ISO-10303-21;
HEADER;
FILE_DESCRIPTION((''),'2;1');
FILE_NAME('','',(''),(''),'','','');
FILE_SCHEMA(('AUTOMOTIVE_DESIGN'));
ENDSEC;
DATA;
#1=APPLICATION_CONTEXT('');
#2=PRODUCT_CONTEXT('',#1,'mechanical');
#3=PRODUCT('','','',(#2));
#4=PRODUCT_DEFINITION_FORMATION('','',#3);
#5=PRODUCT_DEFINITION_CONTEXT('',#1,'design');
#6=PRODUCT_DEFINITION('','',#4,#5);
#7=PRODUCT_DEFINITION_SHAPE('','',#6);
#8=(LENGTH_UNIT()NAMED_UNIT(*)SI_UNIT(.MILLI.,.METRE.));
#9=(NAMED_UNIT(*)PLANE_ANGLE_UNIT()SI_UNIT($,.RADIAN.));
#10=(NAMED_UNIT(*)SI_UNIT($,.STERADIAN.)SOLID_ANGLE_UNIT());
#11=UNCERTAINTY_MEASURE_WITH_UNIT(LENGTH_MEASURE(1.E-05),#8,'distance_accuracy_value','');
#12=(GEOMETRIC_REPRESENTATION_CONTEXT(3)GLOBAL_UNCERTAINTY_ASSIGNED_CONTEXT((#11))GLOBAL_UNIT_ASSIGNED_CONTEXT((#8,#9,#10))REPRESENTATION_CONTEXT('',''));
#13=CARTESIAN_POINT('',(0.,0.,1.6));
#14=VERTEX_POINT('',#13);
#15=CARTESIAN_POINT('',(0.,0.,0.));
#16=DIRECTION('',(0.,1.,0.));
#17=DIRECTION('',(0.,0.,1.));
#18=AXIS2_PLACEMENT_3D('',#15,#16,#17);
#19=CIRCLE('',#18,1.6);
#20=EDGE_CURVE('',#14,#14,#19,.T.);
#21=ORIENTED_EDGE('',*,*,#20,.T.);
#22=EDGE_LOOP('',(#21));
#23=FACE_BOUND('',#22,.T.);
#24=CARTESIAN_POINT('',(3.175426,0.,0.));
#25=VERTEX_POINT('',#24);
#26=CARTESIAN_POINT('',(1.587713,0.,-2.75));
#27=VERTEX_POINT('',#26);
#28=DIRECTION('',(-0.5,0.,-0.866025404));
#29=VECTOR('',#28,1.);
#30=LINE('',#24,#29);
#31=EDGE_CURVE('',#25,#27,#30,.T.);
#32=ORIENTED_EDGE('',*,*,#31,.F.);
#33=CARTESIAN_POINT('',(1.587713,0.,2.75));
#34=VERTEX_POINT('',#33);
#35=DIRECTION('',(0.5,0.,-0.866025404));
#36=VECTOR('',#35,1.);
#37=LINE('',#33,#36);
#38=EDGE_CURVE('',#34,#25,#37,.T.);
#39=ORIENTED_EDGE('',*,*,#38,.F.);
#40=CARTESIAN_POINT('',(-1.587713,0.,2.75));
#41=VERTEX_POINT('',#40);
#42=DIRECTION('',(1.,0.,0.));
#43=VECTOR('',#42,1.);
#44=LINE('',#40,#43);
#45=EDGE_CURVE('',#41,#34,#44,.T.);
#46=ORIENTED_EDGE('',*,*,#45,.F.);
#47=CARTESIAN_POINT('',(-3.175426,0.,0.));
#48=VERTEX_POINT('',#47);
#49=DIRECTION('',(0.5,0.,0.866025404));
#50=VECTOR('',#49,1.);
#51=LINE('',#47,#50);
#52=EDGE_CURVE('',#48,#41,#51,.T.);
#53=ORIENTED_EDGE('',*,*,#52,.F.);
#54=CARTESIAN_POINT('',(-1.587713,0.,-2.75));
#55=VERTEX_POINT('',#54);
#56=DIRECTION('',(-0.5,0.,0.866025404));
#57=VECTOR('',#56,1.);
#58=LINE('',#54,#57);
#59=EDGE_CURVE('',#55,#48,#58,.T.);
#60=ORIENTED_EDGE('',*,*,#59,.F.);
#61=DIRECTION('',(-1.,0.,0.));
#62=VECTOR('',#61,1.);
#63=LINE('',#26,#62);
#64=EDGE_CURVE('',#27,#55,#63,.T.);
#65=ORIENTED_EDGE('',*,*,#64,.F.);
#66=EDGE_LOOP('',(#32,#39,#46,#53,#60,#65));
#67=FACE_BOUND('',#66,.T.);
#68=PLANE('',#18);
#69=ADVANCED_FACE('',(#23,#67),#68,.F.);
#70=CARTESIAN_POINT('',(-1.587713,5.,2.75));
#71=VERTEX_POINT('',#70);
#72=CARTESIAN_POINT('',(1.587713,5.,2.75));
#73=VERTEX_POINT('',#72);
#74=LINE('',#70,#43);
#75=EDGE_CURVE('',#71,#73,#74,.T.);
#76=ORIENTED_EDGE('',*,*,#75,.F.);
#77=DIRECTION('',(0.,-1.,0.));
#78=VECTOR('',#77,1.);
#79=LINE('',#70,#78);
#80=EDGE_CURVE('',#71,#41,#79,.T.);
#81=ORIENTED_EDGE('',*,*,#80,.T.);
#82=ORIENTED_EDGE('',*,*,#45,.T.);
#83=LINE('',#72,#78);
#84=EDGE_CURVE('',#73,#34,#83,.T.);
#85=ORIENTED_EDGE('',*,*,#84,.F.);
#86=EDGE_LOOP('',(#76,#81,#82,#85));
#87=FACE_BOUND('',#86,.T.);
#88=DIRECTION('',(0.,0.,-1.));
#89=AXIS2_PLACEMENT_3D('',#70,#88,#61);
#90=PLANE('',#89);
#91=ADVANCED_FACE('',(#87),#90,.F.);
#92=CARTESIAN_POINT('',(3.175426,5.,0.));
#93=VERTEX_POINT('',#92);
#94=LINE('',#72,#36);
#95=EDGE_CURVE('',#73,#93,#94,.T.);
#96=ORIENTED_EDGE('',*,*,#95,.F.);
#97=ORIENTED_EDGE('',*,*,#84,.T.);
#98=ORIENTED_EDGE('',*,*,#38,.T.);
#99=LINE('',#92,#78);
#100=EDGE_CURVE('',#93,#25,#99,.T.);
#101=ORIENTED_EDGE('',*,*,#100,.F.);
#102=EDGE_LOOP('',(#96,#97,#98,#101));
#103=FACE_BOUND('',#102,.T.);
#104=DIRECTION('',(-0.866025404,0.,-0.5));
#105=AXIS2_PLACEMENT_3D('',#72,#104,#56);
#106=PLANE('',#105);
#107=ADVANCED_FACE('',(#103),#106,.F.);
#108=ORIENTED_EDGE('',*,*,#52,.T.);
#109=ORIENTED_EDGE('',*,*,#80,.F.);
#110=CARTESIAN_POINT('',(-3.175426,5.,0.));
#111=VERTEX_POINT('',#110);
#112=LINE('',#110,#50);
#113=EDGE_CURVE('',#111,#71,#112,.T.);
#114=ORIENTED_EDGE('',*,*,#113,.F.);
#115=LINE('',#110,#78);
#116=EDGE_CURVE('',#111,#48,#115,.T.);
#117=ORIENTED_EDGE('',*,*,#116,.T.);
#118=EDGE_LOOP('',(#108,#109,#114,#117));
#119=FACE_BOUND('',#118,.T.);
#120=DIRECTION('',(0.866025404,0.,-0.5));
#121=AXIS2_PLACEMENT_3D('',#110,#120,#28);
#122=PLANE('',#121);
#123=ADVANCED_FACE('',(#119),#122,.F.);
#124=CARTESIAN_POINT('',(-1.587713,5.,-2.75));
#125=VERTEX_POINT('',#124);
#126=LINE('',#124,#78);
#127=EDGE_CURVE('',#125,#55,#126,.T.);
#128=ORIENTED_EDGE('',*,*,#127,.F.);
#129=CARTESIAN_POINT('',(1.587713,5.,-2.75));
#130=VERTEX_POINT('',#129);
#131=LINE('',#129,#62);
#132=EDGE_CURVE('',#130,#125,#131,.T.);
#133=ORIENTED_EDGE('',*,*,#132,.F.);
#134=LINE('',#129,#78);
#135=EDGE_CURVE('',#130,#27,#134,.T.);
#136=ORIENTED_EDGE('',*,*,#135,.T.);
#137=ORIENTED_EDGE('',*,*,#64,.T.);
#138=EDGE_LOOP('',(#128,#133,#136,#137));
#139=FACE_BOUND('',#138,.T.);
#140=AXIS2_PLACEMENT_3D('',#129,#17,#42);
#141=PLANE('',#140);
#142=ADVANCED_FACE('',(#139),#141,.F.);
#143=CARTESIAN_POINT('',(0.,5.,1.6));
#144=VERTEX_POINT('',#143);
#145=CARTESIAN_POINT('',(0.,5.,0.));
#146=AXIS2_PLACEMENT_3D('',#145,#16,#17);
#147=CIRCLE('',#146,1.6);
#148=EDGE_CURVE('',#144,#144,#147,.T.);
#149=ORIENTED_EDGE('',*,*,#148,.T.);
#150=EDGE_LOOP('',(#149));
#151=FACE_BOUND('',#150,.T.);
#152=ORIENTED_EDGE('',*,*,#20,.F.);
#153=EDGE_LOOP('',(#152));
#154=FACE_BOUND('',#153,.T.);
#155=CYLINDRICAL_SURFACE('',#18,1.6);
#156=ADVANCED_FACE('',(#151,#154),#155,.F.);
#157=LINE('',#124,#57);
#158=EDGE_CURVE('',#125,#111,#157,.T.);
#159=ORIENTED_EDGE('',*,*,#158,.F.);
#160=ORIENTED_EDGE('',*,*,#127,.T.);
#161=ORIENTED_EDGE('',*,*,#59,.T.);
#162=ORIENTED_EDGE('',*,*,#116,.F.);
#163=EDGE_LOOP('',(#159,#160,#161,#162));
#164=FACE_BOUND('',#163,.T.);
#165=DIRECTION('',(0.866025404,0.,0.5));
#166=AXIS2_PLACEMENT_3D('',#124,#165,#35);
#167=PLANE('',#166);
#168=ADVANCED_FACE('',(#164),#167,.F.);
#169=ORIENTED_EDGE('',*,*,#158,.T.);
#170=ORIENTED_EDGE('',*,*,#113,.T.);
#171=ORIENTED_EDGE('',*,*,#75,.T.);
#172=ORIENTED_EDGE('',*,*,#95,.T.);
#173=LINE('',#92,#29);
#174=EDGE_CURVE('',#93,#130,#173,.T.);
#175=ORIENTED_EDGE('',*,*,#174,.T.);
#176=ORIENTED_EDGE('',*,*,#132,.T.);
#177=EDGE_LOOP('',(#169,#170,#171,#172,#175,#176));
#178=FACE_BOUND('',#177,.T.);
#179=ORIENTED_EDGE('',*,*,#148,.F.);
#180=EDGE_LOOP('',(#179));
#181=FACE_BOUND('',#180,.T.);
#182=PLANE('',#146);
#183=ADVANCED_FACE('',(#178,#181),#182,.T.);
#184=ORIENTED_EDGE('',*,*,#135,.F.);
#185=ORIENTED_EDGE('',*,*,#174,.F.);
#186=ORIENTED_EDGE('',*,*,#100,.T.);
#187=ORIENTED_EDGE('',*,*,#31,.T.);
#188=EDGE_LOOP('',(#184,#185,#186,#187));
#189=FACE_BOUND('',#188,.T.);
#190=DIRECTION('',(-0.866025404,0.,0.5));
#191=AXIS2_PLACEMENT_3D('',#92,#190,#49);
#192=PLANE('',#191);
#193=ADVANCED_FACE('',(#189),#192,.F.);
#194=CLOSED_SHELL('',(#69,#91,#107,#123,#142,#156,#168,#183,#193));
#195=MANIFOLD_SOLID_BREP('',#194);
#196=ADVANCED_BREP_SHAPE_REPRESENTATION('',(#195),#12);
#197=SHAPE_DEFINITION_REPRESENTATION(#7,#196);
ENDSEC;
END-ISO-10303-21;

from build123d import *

# Parameters (mm, degrees)
EXTRUDE_1_DEPTH     = 5
SKETCH_2_R          = 1.6
CUT_EXTRUDE_1_DEPTH = 6


with BuildPart() as part:
    # 草图1 → 凸台-拉伸1 (new body)
    with BuildSketch(Plane(origin=(0, 0, 0), x_dir=(1, 0, 0), z_dir=(0, 1, 0))):
        Polygon((3.175426481, 0), (1.58771324, 2.75), (-1.58771324, 2.75), (-3.175426481, 0), (-1.58771324, -2.75), (1.58771324, -2.75), align=None)
    extrude(amount=EXTRUDE_1_DEPTH)

    # 草图2 → 切除-拉伸1 (cut, through all)
    with BuildSketch(Plane(origin=(0, 5, 0), x_dir=(1, 0, 0), z_dir=(0, 1, 0))):
        Circle(SKETCH_2_R)
    extrude(amount=-CUT_EXTRUDE_1_DEPTH, mode=Mode.SUBTRACT)


solid = part.part
